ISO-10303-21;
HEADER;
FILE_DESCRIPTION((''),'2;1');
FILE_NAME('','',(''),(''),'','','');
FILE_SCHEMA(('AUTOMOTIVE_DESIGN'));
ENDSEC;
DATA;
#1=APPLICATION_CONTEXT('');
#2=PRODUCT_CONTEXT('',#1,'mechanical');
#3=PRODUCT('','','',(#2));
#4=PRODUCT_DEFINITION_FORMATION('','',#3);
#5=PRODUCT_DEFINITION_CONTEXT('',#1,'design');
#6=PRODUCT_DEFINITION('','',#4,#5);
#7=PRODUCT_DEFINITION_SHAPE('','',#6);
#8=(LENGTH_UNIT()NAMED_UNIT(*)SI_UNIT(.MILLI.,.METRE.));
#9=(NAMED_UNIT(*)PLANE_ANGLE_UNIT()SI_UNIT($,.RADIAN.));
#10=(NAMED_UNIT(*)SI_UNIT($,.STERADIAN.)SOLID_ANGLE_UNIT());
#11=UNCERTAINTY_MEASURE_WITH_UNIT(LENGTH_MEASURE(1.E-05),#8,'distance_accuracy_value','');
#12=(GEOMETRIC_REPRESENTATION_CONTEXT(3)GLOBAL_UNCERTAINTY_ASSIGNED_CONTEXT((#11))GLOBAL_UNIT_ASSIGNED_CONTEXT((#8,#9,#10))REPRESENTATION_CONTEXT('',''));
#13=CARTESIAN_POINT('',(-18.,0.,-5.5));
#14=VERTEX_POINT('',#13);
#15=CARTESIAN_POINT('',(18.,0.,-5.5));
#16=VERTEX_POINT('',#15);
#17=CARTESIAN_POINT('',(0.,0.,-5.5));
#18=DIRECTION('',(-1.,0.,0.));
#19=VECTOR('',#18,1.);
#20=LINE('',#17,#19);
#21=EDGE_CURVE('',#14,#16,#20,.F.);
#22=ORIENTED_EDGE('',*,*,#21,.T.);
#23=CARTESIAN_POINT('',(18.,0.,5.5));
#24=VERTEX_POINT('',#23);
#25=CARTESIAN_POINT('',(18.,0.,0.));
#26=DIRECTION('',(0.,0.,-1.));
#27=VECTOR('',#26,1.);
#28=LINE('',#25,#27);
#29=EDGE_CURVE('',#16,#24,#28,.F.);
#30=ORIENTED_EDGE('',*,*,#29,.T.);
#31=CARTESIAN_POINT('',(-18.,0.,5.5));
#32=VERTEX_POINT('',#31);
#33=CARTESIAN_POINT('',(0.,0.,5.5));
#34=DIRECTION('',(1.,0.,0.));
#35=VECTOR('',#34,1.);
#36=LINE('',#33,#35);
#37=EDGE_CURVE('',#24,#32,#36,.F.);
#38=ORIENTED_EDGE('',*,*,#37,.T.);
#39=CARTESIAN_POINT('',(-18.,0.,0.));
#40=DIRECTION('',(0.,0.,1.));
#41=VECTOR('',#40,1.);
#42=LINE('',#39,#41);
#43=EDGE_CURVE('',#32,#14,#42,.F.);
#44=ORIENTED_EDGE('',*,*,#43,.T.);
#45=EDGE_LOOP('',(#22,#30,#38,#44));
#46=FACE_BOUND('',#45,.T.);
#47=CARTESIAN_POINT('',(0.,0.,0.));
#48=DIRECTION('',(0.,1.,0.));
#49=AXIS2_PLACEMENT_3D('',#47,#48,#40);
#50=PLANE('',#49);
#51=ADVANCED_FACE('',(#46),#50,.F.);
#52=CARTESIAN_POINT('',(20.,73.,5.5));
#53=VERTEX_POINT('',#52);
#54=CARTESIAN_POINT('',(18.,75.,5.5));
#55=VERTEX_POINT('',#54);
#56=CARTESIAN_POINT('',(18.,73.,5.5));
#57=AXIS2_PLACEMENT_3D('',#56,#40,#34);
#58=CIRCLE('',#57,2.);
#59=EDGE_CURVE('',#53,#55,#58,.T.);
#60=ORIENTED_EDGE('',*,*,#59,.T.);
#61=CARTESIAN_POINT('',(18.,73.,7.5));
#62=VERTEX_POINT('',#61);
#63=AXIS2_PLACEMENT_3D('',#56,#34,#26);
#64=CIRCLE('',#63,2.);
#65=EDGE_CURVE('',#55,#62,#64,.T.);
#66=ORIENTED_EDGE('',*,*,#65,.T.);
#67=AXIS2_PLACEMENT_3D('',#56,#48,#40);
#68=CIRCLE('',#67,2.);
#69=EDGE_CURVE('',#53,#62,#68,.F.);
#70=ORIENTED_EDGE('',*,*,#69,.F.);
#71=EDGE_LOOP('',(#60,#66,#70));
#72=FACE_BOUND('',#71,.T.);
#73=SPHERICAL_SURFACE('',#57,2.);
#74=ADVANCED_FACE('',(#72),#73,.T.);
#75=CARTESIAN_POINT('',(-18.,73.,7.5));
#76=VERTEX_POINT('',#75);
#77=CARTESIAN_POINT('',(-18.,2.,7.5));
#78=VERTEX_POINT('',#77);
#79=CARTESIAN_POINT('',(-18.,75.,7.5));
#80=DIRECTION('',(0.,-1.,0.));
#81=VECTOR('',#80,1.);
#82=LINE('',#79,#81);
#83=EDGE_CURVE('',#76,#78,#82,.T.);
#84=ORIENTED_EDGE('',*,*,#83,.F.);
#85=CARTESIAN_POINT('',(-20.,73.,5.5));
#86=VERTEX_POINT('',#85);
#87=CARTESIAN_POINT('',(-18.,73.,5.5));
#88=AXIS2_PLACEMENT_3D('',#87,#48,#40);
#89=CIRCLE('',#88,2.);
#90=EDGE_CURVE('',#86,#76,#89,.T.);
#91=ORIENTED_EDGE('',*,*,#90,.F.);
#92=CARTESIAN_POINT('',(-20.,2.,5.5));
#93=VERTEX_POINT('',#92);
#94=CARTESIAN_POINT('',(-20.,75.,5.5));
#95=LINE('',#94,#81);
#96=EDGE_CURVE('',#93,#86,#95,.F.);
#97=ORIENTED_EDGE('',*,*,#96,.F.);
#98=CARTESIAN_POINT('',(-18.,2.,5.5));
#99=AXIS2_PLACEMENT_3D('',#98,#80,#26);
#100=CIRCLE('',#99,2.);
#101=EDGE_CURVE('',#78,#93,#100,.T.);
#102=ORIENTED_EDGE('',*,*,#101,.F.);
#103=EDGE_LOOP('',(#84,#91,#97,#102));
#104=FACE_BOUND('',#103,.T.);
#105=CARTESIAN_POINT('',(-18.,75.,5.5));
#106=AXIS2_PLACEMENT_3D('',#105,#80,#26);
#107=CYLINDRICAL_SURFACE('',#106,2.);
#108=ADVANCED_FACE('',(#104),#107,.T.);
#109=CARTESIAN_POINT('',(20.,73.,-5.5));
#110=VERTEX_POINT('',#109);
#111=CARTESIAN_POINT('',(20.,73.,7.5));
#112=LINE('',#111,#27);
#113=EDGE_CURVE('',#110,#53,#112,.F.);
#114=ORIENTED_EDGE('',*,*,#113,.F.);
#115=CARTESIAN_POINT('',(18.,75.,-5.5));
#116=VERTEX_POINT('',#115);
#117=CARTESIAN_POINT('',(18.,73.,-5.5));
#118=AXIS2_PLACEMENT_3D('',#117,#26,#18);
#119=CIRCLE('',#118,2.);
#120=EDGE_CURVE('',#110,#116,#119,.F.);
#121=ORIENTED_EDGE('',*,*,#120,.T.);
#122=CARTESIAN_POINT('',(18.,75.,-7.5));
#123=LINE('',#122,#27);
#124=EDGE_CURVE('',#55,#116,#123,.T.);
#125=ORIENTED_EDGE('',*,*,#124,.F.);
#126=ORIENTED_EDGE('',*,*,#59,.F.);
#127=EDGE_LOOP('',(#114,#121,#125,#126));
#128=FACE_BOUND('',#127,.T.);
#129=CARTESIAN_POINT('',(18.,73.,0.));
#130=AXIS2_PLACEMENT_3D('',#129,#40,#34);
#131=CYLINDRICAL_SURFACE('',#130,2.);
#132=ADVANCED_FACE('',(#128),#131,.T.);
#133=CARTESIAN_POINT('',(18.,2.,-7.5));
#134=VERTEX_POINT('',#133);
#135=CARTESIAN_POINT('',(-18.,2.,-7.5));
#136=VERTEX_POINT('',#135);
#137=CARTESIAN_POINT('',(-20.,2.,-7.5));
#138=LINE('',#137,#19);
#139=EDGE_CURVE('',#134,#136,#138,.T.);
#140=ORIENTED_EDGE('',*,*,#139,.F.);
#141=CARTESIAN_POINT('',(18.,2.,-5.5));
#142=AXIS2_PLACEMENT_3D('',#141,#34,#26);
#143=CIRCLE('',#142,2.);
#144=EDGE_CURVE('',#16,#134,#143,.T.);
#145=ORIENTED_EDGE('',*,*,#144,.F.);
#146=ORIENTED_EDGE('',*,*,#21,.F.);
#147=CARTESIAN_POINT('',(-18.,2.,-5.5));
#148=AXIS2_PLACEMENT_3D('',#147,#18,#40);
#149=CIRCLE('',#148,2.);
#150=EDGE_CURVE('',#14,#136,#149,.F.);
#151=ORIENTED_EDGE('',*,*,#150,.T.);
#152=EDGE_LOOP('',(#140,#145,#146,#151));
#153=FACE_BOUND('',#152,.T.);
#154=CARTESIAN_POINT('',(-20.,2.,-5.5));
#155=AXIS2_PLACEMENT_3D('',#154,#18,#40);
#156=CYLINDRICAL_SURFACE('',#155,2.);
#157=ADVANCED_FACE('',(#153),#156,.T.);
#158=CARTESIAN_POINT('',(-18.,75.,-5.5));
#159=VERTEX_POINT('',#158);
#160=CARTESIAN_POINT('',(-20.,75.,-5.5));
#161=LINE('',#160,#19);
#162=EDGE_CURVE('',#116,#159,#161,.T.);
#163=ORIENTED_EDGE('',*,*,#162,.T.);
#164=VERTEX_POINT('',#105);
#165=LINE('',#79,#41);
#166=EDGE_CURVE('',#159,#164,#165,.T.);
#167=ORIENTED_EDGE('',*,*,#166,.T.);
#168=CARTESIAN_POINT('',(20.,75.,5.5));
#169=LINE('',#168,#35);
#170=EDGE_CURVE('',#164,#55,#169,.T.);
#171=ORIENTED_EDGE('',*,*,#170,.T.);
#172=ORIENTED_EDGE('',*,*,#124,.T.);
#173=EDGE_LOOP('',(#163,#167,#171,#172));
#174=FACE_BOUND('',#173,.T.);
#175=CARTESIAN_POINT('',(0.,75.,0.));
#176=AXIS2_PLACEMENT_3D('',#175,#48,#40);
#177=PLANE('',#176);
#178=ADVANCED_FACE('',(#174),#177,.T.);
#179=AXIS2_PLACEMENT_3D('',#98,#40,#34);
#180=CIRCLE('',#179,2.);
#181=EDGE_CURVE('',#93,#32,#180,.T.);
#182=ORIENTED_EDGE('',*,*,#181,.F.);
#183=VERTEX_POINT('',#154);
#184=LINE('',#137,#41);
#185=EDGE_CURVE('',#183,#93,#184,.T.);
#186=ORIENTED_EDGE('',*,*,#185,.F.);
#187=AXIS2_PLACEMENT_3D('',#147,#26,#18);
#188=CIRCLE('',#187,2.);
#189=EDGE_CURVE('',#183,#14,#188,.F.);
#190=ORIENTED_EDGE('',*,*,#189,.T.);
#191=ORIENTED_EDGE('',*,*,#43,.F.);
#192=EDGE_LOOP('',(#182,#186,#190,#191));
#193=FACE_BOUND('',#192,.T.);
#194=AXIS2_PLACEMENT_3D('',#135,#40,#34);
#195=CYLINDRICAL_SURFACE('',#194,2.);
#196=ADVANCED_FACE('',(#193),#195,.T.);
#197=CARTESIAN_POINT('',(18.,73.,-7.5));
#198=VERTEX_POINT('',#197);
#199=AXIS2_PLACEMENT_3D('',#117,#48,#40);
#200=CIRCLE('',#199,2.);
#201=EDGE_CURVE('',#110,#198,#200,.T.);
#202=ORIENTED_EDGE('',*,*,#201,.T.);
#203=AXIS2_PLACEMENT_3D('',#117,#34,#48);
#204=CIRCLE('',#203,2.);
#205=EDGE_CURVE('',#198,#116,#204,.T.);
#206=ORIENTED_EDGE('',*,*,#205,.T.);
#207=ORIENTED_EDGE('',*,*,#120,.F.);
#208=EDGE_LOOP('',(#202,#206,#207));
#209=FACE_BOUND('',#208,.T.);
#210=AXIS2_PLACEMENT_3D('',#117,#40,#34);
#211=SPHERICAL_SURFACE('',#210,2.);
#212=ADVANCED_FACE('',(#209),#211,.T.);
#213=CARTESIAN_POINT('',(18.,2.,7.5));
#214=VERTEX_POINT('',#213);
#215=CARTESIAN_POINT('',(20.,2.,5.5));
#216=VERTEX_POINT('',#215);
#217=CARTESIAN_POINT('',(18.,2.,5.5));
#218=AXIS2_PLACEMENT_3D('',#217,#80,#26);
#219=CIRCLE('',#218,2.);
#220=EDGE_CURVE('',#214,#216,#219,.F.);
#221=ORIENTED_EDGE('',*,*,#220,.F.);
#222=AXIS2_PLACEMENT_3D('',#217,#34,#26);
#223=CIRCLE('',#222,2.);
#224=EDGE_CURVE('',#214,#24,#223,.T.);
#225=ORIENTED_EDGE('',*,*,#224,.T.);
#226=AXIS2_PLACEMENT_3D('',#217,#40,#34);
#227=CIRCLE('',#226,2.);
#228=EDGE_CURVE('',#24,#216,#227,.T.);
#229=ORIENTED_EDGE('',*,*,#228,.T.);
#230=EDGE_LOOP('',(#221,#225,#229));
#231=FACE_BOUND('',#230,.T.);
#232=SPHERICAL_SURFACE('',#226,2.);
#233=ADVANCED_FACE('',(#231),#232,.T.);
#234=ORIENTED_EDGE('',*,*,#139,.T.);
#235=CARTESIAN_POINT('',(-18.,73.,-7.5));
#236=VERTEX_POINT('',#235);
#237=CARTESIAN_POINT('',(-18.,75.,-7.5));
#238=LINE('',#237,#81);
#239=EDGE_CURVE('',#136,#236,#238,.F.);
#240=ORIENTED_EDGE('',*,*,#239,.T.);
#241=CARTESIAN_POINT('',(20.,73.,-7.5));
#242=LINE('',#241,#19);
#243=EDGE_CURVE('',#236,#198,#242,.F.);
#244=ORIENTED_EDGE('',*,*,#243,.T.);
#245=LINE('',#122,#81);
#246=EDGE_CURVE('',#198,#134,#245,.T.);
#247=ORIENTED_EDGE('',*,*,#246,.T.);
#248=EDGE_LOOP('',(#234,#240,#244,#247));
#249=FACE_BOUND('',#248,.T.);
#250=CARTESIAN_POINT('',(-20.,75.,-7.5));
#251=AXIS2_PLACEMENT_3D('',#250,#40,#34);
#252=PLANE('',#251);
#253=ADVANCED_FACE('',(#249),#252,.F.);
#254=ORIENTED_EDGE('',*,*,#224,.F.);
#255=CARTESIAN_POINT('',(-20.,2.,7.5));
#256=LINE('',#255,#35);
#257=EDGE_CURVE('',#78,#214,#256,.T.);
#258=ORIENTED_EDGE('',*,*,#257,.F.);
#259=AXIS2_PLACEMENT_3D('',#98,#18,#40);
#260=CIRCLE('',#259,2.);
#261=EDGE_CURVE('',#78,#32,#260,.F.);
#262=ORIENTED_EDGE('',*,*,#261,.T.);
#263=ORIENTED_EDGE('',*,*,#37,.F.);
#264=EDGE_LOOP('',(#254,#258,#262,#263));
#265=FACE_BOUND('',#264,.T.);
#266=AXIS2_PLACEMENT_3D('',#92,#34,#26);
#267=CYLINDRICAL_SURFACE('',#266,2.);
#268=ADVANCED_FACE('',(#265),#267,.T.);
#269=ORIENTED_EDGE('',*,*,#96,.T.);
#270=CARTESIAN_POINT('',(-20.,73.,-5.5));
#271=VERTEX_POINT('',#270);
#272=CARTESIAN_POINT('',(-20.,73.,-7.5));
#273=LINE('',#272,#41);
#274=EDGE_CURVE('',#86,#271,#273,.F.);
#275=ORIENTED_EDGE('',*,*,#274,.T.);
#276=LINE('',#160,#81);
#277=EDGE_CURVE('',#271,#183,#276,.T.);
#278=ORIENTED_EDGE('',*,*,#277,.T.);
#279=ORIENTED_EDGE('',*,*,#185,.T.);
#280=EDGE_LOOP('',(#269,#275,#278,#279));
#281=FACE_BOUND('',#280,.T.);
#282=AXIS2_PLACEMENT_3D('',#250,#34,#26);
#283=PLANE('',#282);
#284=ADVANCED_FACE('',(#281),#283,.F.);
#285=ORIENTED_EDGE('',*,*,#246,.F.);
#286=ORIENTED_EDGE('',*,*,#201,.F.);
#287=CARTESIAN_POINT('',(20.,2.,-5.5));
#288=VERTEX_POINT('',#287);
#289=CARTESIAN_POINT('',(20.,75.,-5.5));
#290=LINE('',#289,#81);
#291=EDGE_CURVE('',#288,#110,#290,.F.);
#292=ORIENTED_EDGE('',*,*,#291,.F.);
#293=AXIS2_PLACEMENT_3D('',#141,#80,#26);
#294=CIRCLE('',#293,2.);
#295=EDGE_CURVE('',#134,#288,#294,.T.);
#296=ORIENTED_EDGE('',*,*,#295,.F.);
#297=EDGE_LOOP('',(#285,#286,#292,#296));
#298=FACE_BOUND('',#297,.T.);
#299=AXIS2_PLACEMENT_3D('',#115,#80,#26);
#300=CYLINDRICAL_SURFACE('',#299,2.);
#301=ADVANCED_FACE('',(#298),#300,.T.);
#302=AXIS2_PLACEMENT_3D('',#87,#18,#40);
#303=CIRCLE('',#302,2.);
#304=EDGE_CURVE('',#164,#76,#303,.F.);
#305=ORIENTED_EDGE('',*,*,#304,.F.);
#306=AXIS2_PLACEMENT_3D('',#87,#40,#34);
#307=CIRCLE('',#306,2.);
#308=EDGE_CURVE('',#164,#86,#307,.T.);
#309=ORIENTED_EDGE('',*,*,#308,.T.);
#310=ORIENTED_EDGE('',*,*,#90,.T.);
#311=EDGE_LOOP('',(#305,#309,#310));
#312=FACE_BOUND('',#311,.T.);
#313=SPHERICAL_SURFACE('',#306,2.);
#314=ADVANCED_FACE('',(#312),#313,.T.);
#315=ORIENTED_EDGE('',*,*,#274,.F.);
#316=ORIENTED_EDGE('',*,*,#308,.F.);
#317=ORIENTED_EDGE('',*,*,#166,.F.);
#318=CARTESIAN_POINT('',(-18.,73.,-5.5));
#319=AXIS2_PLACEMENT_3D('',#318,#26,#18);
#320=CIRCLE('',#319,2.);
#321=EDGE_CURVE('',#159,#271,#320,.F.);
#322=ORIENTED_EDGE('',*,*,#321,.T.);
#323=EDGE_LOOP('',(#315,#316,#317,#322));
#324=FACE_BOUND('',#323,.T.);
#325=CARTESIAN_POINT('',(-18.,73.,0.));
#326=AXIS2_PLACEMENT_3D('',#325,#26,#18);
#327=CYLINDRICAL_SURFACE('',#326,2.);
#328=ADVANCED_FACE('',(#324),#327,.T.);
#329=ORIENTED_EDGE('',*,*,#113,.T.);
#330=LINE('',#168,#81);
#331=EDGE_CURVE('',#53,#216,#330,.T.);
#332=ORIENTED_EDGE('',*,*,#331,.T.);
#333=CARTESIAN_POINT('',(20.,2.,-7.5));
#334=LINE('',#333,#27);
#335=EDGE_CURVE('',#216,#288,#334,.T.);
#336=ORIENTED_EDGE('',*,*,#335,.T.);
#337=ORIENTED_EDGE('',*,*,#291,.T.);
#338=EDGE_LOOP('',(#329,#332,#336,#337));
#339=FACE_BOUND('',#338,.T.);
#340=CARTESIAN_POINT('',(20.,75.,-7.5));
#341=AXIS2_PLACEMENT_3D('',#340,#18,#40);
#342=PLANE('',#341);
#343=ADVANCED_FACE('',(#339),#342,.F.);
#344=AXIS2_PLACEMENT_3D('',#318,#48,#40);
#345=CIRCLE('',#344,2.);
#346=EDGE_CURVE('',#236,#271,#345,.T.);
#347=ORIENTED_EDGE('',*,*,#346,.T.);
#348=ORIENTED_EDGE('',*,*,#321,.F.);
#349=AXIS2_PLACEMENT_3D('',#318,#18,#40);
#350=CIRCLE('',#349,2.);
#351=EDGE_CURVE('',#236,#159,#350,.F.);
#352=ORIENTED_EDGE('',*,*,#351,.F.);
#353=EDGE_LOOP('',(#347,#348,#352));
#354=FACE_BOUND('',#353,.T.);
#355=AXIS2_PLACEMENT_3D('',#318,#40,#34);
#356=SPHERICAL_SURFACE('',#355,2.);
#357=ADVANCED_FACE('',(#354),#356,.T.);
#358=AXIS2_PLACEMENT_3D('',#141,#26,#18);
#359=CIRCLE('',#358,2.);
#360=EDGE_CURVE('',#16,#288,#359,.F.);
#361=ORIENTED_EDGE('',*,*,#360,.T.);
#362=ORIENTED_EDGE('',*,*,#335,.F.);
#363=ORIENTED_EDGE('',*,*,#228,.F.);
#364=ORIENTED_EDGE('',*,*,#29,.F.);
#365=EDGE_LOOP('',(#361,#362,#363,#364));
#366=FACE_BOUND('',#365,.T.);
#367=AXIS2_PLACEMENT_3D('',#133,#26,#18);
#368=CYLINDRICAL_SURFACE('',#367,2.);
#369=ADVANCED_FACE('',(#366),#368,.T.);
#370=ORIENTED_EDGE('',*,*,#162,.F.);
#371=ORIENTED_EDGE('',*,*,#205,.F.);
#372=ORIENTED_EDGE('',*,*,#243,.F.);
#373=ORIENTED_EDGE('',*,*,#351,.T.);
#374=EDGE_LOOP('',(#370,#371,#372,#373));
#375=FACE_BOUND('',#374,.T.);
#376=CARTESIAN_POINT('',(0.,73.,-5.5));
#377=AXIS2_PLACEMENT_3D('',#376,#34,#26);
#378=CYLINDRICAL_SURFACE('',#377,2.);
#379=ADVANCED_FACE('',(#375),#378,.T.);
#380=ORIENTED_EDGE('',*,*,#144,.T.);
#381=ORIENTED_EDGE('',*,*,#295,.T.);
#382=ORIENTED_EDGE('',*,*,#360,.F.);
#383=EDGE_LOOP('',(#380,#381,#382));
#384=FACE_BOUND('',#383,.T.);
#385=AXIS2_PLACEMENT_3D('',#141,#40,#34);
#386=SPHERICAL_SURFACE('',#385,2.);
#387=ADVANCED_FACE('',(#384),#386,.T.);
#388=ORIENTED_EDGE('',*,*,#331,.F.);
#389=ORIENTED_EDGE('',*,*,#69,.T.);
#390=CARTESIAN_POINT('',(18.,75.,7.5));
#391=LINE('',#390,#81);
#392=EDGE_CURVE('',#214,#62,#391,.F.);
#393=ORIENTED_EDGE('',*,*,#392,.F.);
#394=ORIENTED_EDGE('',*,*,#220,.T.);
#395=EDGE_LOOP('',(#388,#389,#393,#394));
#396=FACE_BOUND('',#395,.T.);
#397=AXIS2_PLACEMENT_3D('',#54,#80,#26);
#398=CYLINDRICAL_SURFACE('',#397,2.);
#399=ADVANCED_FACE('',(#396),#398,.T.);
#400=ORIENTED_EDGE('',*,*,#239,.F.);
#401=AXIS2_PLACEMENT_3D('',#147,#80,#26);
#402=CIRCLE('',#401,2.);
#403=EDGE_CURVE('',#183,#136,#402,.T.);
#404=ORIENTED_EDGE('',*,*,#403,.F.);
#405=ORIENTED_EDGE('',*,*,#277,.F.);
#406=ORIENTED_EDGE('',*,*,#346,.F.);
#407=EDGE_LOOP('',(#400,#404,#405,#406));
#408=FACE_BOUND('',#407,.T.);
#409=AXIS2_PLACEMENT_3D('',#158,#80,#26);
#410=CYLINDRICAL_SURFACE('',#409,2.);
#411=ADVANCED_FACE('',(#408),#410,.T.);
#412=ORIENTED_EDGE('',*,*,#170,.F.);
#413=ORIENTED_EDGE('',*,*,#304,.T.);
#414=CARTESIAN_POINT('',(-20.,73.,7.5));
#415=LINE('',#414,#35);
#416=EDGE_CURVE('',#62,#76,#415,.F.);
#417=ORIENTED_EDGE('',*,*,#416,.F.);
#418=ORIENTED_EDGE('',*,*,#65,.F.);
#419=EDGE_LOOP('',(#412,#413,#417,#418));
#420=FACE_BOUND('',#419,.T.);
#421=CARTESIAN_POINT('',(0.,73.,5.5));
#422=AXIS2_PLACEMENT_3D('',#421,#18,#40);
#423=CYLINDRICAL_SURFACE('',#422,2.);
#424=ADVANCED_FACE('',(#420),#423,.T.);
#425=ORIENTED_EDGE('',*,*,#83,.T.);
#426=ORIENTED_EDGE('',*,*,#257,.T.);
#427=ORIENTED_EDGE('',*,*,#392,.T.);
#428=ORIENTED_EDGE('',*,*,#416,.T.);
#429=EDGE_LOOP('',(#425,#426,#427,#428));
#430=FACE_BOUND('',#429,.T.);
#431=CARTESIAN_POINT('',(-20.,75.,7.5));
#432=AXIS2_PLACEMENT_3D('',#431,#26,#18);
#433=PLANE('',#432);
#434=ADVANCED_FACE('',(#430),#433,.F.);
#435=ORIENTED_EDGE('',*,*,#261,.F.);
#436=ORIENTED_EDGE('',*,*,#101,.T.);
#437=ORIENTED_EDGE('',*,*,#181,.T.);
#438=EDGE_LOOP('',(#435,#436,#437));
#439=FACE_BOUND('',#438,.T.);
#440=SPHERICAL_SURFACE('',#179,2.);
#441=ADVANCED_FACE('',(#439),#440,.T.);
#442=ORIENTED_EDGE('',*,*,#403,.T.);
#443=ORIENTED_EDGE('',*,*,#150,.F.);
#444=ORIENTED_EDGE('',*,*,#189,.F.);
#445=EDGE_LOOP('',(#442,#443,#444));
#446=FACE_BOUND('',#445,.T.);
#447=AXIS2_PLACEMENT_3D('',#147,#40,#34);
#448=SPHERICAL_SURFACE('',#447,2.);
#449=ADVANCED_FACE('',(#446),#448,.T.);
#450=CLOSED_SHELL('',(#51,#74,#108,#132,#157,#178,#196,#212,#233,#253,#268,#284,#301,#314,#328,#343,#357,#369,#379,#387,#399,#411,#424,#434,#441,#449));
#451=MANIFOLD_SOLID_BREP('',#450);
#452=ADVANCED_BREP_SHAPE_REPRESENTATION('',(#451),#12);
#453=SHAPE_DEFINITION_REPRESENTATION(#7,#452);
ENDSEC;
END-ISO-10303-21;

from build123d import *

# Parameters (mm, degrees)
SKETCH_1_W      = 40
SKETCH_1_H      = 15
EXTRUDE_1_DEPTH = 75
FILLET_1_R      = 2


with BuildPart() as part:
    # 草图1 → 凸台-拉伸1 (new body)
    with BuildSketch(Plane(origin=(0, 0, 0), x_dir=(1, 0, 0), z_dir=(0, 1, 0))):
        Rectangle(SKETCH_1_W, SKETCH_1_H)
    extrude(amount=EXTRUDE_1_DEPTH)

    # 圆角1
    fillet_1_edges = [part.edges().sort_by_distance(p)[0] for p in [
        (-20, 75, 0),
        (0, 75, 7.5),
        (20, 75, 0),
        (0, 0, 7.5),
        (-20, 0, 0),
        (0, 0, -7.5),
        (20, 0, 0),
        (20, 37.5, 7.5),
        (-20, 37.5, 7.5),
        (-20, 37.5, -7.5),
        (20, 37.5, -7.5),
        (0, 75, -7.5),
    ]]
    fillet(fillet_1_edges, radius=FILLET_1_R)


solid = part.part
